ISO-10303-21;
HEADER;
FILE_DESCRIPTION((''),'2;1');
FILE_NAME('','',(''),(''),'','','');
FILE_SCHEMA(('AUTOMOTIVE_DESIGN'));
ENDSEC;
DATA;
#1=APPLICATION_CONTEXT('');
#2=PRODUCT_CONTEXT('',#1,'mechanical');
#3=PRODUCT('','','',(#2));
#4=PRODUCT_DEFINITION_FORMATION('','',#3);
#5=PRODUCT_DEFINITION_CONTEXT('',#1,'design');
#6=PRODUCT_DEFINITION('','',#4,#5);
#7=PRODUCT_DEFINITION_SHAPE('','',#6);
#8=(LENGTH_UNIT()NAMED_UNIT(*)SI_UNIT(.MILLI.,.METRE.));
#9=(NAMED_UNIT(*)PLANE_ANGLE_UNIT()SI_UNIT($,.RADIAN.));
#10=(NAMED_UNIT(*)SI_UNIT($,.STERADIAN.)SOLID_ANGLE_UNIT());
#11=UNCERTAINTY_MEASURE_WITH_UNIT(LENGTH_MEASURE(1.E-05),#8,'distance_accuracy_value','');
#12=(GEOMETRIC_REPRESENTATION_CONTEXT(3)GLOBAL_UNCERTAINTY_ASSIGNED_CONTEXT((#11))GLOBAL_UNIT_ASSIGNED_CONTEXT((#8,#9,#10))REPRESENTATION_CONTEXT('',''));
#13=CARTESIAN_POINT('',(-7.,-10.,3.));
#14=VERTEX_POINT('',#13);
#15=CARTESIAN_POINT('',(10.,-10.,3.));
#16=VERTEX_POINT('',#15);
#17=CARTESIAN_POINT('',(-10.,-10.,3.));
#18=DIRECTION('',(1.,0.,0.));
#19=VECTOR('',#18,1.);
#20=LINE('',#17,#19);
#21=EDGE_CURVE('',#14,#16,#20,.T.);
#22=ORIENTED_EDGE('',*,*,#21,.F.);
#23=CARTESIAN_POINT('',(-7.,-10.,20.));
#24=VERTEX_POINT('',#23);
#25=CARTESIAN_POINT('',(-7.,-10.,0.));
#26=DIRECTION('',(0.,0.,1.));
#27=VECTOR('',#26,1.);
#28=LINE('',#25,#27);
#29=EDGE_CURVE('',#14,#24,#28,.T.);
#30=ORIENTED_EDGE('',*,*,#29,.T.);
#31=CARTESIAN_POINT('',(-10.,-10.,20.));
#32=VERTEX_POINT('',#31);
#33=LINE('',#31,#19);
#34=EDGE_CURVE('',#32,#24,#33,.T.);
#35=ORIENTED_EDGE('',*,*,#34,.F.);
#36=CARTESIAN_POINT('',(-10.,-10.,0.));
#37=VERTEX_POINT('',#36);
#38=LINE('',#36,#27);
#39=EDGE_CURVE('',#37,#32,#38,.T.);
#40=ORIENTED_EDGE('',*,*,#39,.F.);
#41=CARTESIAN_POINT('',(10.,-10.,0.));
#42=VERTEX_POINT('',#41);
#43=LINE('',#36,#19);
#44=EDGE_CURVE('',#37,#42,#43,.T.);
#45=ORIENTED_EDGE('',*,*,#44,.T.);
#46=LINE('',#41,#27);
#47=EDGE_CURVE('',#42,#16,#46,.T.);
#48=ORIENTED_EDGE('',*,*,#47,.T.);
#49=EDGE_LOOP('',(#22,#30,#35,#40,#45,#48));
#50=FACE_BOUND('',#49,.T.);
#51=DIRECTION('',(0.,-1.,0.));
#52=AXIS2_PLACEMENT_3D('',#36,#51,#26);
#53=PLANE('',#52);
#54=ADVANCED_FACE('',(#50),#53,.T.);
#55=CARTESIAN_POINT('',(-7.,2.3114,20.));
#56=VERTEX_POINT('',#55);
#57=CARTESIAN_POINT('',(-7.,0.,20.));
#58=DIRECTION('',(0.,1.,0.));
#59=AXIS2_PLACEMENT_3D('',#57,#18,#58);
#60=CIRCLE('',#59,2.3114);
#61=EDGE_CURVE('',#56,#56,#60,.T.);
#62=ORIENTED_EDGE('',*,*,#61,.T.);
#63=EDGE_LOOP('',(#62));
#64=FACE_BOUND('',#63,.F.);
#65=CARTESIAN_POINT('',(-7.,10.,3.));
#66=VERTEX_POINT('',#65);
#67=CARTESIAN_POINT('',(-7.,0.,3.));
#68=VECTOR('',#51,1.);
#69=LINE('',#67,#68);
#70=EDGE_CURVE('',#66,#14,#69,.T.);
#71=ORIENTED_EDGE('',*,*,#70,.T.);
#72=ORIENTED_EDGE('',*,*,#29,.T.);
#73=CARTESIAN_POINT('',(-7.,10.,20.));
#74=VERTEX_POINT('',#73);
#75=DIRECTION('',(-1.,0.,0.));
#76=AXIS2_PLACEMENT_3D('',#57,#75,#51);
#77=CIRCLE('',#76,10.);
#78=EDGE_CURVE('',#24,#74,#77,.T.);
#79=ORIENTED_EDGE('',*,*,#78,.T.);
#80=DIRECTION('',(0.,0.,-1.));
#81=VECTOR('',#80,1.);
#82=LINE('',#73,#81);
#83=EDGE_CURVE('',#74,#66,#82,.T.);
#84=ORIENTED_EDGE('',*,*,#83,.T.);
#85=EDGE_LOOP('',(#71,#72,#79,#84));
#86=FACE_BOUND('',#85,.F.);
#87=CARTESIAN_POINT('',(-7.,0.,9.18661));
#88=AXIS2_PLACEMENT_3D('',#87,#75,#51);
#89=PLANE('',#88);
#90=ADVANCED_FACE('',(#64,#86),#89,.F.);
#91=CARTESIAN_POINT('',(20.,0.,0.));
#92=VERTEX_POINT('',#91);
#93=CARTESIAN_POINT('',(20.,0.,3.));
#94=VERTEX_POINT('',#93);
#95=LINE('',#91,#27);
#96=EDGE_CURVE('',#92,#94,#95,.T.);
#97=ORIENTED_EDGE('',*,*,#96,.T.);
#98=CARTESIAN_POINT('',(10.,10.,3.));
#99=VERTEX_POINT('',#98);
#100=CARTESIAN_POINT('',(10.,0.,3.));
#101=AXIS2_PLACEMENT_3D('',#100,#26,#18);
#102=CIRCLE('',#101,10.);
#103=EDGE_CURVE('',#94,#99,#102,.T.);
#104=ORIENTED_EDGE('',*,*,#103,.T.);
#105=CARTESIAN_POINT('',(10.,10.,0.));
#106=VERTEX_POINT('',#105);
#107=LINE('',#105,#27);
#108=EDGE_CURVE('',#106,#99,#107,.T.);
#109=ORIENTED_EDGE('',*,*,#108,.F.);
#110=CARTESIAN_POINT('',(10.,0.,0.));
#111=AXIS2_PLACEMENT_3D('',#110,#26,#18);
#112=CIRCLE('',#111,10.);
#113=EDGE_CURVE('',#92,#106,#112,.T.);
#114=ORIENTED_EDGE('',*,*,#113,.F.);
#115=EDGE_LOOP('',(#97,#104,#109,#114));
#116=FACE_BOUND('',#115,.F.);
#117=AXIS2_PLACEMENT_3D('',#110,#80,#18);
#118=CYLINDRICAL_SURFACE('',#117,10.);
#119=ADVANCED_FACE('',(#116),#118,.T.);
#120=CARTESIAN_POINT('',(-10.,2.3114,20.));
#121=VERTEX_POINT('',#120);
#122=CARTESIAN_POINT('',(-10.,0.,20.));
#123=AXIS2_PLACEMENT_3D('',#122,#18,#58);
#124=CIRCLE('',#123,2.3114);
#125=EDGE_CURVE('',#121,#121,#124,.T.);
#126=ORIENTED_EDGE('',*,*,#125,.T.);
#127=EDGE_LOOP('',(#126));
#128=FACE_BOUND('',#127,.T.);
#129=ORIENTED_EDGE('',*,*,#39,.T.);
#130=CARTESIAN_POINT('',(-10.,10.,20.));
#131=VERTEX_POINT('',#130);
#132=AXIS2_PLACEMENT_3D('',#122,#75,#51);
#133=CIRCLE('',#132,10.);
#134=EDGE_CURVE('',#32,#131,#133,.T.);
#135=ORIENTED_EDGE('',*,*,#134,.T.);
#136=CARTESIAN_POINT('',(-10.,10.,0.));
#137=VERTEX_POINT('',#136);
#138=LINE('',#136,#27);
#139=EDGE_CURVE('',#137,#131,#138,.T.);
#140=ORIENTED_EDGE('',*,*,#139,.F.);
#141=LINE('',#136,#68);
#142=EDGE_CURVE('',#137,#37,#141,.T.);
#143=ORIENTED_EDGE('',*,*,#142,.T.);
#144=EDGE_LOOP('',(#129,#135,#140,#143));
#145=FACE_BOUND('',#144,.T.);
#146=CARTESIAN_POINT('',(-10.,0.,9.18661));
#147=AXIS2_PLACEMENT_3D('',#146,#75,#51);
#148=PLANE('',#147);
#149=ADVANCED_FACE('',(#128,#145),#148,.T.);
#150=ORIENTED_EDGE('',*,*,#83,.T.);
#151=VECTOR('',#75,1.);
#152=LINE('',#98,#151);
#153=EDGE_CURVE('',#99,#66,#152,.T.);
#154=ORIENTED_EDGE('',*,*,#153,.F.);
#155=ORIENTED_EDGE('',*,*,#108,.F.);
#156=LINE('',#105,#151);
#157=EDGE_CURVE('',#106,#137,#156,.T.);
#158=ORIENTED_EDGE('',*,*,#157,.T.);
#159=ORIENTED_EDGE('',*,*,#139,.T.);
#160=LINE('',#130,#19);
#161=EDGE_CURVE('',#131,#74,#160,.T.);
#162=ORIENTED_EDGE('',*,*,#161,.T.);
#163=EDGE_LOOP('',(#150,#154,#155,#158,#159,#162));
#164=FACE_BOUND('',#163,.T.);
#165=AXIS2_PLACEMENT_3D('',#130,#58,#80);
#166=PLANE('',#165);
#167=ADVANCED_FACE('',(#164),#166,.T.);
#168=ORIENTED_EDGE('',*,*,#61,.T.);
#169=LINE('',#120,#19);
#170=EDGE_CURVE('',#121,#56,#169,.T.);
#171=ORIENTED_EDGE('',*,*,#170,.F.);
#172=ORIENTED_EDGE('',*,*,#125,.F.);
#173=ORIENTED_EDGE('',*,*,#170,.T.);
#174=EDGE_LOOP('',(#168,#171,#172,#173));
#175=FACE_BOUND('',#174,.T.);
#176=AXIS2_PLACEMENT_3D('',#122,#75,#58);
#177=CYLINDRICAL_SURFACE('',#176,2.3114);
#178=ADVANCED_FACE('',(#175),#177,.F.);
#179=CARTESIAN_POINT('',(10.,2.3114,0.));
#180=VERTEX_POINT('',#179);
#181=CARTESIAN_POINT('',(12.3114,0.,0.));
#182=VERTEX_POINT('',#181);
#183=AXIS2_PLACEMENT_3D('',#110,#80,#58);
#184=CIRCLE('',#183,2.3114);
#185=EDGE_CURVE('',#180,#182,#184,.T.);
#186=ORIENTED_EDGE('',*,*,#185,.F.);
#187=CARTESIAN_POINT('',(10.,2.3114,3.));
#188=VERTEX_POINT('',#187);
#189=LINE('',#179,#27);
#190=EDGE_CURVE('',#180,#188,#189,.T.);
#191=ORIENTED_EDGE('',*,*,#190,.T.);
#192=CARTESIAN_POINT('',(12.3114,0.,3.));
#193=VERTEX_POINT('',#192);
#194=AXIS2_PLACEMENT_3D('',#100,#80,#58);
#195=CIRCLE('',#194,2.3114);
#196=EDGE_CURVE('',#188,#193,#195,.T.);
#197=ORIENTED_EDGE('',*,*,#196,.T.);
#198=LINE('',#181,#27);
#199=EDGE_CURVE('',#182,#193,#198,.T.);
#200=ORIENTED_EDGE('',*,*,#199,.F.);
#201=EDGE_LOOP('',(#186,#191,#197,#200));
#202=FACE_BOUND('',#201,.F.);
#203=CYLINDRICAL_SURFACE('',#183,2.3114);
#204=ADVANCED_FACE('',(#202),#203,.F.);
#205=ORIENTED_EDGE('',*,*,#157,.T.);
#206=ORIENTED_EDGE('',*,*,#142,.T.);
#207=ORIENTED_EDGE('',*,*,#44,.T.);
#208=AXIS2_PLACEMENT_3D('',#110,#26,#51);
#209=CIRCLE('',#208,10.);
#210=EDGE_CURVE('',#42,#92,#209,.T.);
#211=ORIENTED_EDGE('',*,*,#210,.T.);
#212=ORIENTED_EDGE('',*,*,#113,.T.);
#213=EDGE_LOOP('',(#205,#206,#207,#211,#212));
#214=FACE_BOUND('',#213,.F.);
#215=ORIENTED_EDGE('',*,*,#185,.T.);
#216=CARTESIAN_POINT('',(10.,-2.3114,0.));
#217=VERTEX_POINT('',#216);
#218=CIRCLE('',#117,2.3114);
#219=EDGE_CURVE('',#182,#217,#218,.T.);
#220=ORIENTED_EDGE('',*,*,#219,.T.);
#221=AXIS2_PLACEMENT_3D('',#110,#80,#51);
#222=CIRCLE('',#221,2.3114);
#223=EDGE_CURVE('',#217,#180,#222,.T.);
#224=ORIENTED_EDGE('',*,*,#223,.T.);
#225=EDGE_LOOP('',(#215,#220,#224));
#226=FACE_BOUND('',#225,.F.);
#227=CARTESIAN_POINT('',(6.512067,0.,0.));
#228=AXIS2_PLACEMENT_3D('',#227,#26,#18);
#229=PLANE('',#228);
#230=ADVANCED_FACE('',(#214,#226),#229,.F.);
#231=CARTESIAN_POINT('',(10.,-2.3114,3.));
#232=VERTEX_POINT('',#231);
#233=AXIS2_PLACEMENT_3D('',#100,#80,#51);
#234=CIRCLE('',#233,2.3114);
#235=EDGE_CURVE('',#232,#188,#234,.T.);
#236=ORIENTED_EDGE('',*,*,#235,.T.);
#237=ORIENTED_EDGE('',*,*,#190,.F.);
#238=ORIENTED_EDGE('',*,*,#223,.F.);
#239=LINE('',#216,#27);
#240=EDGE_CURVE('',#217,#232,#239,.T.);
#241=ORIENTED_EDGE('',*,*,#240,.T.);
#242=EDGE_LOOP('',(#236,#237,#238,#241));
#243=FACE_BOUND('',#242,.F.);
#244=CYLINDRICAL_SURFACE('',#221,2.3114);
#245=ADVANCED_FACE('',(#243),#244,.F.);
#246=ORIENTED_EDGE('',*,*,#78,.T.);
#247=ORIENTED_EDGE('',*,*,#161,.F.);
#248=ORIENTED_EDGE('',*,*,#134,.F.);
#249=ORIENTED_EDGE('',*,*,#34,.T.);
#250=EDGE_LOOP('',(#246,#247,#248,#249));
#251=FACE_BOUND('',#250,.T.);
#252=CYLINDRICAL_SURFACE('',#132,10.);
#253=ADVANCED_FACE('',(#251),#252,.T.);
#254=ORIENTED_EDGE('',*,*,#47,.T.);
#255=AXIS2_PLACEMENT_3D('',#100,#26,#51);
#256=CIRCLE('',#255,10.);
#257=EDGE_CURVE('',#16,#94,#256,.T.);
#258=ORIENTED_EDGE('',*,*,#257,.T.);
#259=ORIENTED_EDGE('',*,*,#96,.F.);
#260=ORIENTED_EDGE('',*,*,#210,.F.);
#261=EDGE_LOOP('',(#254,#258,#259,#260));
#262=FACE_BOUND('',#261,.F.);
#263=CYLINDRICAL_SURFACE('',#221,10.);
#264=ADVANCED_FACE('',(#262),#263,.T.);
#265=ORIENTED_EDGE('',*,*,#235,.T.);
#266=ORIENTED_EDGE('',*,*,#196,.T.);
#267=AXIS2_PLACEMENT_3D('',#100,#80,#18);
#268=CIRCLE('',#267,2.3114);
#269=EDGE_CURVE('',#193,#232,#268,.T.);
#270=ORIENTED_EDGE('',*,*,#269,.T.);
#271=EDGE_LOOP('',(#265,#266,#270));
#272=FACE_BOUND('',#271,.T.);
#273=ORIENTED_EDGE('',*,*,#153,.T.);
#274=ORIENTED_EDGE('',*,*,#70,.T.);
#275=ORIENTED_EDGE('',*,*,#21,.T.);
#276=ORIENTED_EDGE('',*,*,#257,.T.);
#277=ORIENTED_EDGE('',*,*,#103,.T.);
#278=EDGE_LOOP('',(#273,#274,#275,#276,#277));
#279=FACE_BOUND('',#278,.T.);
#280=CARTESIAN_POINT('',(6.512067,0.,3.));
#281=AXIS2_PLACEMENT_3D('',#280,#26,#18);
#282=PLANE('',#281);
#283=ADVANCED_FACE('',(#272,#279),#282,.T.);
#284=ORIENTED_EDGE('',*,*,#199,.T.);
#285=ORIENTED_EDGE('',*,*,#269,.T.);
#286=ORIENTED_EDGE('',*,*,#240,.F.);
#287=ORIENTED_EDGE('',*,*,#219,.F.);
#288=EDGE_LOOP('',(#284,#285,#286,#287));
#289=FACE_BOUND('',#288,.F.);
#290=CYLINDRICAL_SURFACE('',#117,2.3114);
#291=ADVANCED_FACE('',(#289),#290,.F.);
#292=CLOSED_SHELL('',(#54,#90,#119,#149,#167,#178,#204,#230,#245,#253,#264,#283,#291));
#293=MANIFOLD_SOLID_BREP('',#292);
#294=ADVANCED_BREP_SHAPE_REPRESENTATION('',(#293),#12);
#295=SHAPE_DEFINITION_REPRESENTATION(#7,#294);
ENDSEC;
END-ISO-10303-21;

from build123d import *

# Parameters (mm, degrees)
F1_DEPTH = 3
F3_DEPTH = 3


with BuildPart() as f1:
    # F0 (on Top) → F1 (new body)
    with BuildSketch(Plane.XY):
        with BuildLine():
            ThreePointArc((10, 10), (0, 0), (10, -10))
            Line((10, -10), (10, -2.3114))
            ThreePointArc((10, -2.3114), (7.6886, 0), (10, 2.3114))
            Line((10, 2.3114), (10, 10))
        make_face()
        with BuildLine():
            Line((-10, -10), (10, -10))
            ThreePointArc((10, -10), (0, 0), (10, 10))
            Line((10, 10), (-10, 10))
            Line((-10, 10), (-10, -10))
        make_face()
        with BuildLine():
            Line((10, -2.3114), (10, -10))
            ThreePointArc((10, -10), (17.0710678119, -7.0710678119), (20, 0))
            ThreePointArc((20, 0), (17.0710678119, 7.0710678119), (10, 10))
            Line((10, 10), (10, 2.3114))
            ThreePointArc((10, 2.3114), (11.634406614, 1.634406614), (12.3114, 0))
            ThreePointArc((12.3114, 0), (11.634406614, -1.634406614), (10, -2.3114))
        make_face()
    extrude(amount=F1_DEPTH)

    # F2 (on face) → F3 (join)
    with BuildSketch(Plane(origin=(-10, 0, 0), x_dir=(0, -1, 0), z_dir=(-1, 0, 0))):
        with BuildLine():
            Line((-10, 20), (-10, 0))
            Line((-10, 0), (10, 0))
            Line((10, 0), (10, 20))
            ThreePointArc((10, 20), (0, 10), (-10, 20))
        make_face()
        with BuildLine():
            ThreePointArc((10, 20), (0, 30), (-10, 20))
            Line((-10, 20), (-2.3114, 20))
            ThreePointArc((-2.3114, 20), (0, 22.3114), (2.3114, 20))
            Line((2.3114, 20), (10, 20))
        make_face()
        with BuildLine():
            Line((-2.3114, 20), (-10, 20))
            ThreePointArc((-10, 20), (0, 10), (10, 20))
            Line((10, 20), (2.3114, 20))
            ThreePointArc((2.3114, 20), (0, 17.6886), (-2.3114, 20))
        make_face()
    extrude(amount=-F3_DEPTH)


solid = f1.part
